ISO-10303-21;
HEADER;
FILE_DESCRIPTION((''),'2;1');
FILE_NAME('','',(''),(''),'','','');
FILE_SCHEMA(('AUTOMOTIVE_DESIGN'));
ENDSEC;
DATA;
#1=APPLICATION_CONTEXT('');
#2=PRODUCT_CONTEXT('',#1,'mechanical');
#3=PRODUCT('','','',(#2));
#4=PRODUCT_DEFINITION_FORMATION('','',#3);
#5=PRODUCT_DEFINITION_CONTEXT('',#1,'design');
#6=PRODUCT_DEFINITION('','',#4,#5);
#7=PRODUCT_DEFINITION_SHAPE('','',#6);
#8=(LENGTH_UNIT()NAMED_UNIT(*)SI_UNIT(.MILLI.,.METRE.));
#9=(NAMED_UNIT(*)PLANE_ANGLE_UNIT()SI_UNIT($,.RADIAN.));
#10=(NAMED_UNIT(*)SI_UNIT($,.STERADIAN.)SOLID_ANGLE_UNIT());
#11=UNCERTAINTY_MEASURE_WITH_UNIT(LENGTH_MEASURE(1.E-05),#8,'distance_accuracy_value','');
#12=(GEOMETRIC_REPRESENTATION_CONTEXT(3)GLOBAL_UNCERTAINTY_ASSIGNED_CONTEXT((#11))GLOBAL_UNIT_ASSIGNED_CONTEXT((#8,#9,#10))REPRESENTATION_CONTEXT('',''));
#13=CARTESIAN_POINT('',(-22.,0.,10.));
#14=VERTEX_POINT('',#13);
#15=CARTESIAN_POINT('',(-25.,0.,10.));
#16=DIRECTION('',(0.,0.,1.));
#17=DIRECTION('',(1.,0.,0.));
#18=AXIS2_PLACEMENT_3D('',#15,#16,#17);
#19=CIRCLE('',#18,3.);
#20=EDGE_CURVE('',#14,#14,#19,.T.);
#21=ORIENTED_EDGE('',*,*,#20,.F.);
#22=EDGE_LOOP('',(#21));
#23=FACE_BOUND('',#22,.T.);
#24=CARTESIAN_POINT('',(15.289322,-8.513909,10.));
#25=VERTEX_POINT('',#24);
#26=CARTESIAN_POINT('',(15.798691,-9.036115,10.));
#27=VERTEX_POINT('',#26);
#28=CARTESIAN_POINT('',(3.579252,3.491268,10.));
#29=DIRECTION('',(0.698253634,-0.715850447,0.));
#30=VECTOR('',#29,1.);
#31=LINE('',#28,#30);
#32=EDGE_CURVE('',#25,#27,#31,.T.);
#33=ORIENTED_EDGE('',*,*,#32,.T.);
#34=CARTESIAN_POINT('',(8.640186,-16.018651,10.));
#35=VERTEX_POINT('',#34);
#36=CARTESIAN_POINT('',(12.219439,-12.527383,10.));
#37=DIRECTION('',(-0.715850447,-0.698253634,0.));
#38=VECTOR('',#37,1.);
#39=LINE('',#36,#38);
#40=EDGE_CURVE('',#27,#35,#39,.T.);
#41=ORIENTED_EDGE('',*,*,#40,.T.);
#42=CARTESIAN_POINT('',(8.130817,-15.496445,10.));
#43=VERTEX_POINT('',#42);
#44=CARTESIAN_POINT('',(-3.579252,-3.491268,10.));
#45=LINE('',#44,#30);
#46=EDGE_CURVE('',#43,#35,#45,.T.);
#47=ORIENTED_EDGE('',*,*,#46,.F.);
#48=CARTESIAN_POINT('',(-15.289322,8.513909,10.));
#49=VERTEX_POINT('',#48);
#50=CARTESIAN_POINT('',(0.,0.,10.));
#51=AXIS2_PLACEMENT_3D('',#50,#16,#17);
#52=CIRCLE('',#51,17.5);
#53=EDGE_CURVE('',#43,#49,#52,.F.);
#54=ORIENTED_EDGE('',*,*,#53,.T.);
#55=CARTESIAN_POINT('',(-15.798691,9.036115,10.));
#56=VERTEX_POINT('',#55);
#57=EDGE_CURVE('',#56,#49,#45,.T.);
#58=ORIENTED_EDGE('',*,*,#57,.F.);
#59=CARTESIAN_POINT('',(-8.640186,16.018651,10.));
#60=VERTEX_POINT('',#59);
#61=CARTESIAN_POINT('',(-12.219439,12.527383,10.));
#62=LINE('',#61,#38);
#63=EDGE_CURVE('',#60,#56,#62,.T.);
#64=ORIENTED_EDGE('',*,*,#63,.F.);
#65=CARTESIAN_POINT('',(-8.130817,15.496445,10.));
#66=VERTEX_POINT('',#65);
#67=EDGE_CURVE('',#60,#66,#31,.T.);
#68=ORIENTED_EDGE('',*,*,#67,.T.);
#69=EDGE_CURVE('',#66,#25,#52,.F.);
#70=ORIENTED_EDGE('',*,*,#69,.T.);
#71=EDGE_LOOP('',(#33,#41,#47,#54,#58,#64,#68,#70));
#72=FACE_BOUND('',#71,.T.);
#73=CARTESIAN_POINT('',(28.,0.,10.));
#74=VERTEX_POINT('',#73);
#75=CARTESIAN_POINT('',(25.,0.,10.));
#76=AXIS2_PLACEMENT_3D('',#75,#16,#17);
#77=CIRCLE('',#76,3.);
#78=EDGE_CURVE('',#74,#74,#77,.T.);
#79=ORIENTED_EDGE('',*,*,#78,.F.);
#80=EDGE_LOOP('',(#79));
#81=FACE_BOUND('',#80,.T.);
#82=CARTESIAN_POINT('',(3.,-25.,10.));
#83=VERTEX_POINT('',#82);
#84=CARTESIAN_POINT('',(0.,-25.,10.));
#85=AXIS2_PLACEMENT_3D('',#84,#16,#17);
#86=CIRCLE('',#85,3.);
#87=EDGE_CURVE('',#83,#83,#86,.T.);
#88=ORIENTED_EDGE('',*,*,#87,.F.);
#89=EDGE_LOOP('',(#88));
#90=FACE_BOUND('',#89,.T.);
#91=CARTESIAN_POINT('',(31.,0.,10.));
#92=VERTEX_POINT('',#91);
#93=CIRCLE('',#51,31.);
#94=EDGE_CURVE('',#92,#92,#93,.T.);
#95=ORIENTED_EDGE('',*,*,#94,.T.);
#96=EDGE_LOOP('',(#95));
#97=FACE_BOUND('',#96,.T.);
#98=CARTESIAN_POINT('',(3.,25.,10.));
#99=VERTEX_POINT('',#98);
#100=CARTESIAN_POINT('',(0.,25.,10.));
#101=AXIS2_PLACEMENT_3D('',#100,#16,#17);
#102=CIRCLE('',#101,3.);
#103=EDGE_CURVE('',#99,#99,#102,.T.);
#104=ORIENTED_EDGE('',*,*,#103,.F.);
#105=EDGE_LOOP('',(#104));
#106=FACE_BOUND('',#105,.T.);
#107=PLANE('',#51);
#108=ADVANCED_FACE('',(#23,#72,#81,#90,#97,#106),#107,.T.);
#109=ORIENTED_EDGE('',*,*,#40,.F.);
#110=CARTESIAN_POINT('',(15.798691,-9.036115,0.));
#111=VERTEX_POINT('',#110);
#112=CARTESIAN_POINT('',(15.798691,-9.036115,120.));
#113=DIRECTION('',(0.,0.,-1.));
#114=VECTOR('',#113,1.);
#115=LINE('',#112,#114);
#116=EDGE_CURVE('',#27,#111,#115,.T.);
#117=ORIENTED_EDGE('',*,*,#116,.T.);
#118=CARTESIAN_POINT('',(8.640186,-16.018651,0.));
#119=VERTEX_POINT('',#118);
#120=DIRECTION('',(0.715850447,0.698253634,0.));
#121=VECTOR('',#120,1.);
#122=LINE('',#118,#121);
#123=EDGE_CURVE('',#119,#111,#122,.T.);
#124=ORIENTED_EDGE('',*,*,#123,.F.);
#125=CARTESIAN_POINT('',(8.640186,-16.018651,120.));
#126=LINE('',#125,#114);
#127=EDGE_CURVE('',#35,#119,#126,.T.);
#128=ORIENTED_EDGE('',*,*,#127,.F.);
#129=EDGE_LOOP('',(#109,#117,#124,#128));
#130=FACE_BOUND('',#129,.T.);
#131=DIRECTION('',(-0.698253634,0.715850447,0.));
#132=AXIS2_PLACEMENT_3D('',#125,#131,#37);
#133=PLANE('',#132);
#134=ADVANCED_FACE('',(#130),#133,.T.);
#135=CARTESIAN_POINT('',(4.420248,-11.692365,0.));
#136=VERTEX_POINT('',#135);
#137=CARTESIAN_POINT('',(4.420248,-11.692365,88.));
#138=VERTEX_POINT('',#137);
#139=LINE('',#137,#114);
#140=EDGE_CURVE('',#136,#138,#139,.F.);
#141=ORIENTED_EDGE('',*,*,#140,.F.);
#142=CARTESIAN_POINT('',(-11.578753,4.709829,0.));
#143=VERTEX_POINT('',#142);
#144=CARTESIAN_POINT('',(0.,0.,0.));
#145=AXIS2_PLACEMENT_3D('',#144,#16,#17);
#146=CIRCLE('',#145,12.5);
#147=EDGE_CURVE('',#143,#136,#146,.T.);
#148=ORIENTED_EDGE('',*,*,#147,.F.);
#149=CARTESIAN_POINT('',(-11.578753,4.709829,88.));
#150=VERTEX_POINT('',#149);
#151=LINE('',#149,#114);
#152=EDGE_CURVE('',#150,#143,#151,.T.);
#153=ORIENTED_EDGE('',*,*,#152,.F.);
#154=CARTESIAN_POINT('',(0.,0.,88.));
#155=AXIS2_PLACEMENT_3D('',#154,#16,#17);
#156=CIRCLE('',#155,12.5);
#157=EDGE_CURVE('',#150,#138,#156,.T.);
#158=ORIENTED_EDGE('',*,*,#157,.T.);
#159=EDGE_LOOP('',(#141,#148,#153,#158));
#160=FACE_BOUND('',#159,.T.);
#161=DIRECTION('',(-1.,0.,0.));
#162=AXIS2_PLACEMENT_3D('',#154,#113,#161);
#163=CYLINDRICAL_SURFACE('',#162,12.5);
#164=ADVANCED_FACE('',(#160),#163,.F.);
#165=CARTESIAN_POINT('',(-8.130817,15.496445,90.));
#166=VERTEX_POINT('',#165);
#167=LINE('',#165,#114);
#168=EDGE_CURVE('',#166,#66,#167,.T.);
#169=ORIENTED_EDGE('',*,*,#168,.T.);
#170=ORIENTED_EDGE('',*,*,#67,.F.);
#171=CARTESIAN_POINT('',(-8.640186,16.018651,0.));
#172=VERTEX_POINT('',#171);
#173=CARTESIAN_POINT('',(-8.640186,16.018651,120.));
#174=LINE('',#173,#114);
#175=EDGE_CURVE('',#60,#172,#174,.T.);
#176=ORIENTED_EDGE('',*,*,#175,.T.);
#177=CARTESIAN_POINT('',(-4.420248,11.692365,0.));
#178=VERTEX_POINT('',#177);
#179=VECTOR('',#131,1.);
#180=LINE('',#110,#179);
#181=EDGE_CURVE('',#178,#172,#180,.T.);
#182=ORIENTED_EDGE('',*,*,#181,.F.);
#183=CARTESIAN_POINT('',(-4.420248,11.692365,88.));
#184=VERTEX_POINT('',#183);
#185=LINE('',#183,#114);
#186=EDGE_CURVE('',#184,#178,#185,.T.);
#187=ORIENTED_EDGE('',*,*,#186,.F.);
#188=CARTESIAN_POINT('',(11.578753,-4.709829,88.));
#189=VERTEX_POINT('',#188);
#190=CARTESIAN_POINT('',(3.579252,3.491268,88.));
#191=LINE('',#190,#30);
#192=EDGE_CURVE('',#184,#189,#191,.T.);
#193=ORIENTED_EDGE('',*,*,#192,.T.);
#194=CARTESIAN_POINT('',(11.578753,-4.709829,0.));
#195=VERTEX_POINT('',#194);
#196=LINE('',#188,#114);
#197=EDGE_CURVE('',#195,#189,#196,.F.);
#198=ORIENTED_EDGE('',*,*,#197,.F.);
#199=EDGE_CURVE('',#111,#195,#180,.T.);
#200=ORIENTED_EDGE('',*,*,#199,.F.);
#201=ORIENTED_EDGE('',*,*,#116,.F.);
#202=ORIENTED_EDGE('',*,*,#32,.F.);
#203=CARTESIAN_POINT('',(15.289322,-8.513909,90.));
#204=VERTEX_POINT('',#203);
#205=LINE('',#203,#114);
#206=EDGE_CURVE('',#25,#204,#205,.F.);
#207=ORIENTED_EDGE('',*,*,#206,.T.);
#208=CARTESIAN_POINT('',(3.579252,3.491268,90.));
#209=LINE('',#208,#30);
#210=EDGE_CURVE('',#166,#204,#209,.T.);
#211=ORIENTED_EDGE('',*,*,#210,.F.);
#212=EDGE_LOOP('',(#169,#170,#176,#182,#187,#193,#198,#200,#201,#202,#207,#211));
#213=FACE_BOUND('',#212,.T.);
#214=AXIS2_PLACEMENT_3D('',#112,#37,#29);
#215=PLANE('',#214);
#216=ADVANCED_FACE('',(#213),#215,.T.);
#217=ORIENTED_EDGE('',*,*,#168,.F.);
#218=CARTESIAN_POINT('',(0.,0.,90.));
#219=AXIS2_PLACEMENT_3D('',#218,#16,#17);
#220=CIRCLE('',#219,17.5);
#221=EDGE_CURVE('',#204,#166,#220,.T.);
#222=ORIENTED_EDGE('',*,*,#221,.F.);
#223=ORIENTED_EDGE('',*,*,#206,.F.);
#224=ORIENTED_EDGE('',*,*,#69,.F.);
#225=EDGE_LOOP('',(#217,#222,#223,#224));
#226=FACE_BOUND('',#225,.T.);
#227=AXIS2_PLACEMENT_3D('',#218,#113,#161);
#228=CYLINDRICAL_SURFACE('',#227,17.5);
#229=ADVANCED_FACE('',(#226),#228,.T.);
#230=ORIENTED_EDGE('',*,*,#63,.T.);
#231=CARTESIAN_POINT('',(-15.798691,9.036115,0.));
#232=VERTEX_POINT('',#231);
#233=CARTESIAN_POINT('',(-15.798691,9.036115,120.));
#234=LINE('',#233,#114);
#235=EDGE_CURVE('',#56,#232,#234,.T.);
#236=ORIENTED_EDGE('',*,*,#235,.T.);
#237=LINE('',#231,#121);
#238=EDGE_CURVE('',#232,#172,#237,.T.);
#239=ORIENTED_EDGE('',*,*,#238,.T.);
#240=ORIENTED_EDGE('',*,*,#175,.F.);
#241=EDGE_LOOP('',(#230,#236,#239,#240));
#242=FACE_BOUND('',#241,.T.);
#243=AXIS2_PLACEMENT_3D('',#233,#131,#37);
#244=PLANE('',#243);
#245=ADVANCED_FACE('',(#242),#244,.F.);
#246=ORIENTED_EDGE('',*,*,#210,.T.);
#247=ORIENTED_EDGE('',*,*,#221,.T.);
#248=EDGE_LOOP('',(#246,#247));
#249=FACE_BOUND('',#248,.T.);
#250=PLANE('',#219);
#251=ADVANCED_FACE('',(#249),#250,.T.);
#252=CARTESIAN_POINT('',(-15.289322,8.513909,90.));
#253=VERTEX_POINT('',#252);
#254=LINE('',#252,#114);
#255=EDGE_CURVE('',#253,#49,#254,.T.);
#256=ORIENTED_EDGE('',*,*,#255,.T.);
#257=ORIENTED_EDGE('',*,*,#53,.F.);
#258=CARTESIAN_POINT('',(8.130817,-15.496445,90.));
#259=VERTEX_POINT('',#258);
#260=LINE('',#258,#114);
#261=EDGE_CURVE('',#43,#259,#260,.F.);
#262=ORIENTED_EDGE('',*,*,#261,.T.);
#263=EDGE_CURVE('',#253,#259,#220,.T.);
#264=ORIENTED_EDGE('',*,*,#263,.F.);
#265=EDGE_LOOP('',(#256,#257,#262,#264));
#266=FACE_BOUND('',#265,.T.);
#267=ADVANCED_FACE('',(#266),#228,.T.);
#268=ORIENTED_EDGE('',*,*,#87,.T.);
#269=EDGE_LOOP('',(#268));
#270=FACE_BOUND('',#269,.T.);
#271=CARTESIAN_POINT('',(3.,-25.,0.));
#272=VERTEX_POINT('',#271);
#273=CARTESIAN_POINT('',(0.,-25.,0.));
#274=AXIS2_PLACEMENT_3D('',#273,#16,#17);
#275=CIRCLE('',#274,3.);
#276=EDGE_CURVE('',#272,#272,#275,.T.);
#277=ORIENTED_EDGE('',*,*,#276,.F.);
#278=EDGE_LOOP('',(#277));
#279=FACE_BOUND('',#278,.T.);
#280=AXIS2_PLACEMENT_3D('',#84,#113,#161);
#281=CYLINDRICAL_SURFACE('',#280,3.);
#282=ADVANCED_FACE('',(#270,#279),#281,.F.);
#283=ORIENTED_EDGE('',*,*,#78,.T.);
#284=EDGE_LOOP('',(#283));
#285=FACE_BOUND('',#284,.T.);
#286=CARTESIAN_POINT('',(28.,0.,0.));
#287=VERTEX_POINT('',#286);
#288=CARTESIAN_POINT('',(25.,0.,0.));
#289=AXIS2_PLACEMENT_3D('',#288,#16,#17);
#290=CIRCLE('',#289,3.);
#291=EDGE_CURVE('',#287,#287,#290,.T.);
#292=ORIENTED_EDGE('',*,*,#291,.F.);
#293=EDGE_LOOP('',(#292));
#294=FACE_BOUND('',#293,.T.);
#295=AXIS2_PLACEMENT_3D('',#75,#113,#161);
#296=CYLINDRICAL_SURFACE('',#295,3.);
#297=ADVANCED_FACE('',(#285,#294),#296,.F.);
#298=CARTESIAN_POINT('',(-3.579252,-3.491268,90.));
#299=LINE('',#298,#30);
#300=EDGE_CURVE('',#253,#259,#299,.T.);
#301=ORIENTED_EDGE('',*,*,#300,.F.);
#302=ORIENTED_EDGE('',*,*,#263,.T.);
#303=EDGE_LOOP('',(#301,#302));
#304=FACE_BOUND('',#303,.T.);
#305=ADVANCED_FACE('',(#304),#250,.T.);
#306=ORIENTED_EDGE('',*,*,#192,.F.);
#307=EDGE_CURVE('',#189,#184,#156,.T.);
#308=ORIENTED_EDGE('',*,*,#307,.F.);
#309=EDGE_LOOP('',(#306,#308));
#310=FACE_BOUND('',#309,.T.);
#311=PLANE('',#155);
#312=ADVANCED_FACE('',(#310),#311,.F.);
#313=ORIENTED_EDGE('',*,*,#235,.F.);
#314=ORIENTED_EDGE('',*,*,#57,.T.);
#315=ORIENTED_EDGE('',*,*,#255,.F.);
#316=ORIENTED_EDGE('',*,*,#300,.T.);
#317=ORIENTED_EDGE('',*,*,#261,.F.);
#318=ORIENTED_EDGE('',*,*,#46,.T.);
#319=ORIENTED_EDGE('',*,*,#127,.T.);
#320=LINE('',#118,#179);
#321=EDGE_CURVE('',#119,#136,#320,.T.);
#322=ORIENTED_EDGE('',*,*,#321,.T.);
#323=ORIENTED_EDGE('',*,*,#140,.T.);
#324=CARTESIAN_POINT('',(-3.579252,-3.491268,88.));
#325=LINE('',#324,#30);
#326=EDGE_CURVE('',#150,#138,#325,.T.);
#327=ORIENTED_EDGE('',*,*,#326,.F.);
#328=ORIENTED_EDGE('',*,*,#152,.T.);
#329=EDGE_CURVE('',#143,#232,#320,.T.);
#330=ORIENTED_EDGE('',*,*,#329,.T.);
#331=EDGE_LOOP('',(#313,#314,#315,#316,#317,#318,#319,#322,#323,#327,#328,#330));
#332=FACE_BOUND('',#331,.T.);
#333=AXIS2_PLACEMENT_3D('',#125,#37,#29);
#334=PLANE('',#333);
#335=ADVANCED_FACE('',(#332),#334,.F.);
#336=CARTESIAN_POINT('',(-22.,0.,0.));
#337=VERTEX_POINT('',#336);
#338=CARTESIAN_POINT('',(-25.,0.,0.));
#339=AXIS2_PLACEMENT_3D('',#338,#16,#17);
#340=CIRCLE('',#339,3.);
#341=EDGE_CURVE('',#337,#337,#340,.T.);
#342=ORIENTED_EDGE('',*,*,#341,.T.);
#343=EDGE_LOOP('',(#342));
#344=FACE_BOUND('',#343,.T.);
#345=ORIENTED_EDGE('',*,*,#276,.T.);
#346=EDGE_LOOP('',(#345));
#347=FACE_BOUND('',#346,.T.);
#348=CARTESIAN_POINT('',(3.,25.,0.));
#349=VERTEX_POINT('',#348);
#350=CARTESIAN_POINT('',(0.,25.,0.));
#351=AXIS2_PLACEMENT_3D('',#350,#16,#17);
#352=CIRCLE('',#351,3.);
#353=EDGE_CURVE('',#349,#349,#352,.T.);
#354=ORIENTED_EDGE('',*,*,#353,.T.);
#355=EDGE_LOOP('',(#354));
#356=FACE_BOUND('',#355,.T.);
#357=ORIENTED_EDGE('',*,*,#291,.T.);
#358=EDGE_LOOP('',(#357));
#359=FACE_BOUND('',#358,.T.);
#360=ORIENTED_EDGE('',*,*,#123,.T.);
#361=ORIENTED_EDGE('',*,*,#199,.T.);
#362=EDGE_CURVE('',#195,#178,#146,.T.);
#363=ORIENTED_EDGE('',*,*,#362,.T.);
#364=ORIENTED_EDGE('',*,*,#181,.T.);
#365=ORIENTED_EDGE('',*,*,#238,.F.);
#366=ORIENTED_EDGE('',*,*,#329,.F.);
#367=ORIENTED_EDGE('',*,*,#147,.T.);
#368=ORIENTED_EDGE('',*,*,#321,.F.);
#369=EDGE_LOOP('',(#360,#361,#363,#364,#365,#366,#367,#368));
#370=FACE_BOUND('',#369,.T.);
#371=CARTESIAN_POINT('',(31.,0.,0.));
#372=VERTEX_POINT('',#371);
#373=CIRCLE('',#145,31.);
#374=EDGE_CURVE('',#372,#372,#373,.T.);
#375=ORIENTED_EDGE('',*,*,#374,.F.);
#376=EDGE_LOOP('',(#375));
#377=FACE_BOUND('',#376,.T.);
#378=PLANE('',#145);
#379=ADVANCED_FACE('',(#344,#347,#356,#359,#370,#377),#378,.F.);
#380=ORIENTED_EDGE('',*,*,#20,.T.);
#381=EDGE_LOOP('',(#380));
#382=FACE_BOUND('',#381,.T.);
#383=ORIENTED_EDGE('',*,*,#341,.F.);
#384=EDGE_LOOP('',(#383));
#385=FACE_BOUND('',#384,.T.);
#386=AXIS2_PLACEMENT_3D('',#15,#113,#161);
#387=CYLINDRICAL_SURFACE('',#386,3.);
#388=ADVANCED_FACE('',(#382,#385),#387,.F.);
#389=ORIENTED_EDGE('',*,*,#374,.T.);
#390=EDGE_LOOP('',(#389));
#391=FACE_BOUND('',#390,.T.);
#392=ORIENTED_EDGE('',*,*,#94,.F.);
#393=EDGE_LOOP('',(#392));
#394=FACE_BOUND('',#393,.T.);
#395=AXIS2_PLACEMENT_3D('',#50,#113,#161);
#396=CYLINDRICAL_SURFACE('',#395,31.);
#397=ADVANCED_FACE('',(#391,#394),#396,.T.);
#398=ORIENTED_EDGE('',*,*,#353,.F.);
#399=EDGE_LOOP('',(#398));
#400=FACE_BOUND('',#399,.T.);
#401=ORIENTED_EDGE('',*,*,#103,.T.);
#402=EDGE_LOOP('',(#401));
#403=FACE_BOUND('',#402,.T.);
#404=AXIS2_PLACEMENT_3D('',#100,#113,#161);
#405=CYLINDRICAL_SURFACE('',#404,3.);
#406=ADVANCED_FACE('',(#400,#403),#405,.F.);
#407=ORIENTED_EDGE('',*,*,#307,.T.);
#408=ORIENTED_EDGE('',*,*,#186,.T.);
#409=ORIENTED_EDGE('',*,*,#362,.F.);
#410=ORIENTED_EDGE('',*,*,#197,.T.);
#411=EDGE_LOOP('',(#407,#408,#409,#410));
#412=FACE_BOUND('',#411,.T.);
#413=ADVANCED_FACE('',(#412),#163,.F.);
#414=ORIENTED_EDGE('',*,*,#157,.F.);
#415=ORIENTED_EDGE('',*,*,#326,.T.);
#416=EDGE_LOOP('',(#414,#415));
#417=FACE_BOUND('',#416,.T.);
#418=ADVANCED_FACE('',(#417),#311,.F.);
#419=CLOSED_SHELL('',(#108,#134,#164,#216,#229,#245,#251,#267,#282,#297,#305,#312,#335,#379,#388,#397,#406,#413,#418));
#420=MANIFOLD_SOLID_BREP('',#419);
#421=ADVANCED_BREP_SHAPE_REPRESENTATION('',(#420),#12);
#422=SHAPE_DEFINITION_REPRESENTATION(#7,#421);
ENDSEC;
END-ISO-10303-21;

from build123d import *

# Parameters (mm, degrees)
SKETCH_5_R           = 31
EXTRUDE_4_DEPTH      = 10
SKETCH_6_R           = 3
CUT_EXTRUDE_5_DEPTH  = 10
SKETCH_8_R           = 17.5
EXTRUDE_5_DEPTH      = 90
SKETCH_4_R           = 12.5
CUT_EXTRUDE_6_DEPTH  = 88
CUT_EXTRUDE_10_DEPTH = 120


with BuildPart() as part:
    # Эскиз5 → Бобышка-Вытянуть4 (new body)
    with BuildSketch(Plane.XY):
        Circle(SKETCH_5_R)
    extrude(amount=EXTRUDE_4_DEPTH)

    # Эскиз6 → Вырез-Вытянуть5 (cut)
    with BuildSketch(Plane.XY):
        with Locations((0, -25)):
            Circle(SKETCH_6_R)
        with Locations((-25, 0)):
            Circle(SKETCH_6_R)
        with Locations((0, 25)):
            Circle(SKETCH_6_R)
        with Locations((25, 0)):
            Circle(SKETCH_6_R)
    extrude(amount=CUT_EXTRUDE_5_DEPTH, mode=Mode.SUBTRACT)

    # Эскиз8 → Бобышка-Вытянуть5 (add)
    with BuildSketch(Plane.XY):
        Circle(SKETCH_8_R)
    extrude(amount=EXTRUDE_5_DEPTH)

    # Эскиз4 → Вырез-Вытянуть6 (cut)
    with BuildSketch(Plane.XY):
        Circle(SKETCH_4_R)
    extrude(amount=CUT_EXTRUDE_6_DEPTH, mode=Mode.SUBTRACT)

    # Эскиз12 → Вырез-Вытянуть10 (cut)
    with BuildSketch(Plane.XY):
        Polygon((8.640186366, -16.018650991), (-15.798690834, 9.036114648), (-8.640186366, 16.018650991), (15.798690834, -9.036114648), align=None)
    extrude(amount=CUT_EXTRUDE_10_DEPTH, mode=Mode.SUBTRACT)


solid = part.part
